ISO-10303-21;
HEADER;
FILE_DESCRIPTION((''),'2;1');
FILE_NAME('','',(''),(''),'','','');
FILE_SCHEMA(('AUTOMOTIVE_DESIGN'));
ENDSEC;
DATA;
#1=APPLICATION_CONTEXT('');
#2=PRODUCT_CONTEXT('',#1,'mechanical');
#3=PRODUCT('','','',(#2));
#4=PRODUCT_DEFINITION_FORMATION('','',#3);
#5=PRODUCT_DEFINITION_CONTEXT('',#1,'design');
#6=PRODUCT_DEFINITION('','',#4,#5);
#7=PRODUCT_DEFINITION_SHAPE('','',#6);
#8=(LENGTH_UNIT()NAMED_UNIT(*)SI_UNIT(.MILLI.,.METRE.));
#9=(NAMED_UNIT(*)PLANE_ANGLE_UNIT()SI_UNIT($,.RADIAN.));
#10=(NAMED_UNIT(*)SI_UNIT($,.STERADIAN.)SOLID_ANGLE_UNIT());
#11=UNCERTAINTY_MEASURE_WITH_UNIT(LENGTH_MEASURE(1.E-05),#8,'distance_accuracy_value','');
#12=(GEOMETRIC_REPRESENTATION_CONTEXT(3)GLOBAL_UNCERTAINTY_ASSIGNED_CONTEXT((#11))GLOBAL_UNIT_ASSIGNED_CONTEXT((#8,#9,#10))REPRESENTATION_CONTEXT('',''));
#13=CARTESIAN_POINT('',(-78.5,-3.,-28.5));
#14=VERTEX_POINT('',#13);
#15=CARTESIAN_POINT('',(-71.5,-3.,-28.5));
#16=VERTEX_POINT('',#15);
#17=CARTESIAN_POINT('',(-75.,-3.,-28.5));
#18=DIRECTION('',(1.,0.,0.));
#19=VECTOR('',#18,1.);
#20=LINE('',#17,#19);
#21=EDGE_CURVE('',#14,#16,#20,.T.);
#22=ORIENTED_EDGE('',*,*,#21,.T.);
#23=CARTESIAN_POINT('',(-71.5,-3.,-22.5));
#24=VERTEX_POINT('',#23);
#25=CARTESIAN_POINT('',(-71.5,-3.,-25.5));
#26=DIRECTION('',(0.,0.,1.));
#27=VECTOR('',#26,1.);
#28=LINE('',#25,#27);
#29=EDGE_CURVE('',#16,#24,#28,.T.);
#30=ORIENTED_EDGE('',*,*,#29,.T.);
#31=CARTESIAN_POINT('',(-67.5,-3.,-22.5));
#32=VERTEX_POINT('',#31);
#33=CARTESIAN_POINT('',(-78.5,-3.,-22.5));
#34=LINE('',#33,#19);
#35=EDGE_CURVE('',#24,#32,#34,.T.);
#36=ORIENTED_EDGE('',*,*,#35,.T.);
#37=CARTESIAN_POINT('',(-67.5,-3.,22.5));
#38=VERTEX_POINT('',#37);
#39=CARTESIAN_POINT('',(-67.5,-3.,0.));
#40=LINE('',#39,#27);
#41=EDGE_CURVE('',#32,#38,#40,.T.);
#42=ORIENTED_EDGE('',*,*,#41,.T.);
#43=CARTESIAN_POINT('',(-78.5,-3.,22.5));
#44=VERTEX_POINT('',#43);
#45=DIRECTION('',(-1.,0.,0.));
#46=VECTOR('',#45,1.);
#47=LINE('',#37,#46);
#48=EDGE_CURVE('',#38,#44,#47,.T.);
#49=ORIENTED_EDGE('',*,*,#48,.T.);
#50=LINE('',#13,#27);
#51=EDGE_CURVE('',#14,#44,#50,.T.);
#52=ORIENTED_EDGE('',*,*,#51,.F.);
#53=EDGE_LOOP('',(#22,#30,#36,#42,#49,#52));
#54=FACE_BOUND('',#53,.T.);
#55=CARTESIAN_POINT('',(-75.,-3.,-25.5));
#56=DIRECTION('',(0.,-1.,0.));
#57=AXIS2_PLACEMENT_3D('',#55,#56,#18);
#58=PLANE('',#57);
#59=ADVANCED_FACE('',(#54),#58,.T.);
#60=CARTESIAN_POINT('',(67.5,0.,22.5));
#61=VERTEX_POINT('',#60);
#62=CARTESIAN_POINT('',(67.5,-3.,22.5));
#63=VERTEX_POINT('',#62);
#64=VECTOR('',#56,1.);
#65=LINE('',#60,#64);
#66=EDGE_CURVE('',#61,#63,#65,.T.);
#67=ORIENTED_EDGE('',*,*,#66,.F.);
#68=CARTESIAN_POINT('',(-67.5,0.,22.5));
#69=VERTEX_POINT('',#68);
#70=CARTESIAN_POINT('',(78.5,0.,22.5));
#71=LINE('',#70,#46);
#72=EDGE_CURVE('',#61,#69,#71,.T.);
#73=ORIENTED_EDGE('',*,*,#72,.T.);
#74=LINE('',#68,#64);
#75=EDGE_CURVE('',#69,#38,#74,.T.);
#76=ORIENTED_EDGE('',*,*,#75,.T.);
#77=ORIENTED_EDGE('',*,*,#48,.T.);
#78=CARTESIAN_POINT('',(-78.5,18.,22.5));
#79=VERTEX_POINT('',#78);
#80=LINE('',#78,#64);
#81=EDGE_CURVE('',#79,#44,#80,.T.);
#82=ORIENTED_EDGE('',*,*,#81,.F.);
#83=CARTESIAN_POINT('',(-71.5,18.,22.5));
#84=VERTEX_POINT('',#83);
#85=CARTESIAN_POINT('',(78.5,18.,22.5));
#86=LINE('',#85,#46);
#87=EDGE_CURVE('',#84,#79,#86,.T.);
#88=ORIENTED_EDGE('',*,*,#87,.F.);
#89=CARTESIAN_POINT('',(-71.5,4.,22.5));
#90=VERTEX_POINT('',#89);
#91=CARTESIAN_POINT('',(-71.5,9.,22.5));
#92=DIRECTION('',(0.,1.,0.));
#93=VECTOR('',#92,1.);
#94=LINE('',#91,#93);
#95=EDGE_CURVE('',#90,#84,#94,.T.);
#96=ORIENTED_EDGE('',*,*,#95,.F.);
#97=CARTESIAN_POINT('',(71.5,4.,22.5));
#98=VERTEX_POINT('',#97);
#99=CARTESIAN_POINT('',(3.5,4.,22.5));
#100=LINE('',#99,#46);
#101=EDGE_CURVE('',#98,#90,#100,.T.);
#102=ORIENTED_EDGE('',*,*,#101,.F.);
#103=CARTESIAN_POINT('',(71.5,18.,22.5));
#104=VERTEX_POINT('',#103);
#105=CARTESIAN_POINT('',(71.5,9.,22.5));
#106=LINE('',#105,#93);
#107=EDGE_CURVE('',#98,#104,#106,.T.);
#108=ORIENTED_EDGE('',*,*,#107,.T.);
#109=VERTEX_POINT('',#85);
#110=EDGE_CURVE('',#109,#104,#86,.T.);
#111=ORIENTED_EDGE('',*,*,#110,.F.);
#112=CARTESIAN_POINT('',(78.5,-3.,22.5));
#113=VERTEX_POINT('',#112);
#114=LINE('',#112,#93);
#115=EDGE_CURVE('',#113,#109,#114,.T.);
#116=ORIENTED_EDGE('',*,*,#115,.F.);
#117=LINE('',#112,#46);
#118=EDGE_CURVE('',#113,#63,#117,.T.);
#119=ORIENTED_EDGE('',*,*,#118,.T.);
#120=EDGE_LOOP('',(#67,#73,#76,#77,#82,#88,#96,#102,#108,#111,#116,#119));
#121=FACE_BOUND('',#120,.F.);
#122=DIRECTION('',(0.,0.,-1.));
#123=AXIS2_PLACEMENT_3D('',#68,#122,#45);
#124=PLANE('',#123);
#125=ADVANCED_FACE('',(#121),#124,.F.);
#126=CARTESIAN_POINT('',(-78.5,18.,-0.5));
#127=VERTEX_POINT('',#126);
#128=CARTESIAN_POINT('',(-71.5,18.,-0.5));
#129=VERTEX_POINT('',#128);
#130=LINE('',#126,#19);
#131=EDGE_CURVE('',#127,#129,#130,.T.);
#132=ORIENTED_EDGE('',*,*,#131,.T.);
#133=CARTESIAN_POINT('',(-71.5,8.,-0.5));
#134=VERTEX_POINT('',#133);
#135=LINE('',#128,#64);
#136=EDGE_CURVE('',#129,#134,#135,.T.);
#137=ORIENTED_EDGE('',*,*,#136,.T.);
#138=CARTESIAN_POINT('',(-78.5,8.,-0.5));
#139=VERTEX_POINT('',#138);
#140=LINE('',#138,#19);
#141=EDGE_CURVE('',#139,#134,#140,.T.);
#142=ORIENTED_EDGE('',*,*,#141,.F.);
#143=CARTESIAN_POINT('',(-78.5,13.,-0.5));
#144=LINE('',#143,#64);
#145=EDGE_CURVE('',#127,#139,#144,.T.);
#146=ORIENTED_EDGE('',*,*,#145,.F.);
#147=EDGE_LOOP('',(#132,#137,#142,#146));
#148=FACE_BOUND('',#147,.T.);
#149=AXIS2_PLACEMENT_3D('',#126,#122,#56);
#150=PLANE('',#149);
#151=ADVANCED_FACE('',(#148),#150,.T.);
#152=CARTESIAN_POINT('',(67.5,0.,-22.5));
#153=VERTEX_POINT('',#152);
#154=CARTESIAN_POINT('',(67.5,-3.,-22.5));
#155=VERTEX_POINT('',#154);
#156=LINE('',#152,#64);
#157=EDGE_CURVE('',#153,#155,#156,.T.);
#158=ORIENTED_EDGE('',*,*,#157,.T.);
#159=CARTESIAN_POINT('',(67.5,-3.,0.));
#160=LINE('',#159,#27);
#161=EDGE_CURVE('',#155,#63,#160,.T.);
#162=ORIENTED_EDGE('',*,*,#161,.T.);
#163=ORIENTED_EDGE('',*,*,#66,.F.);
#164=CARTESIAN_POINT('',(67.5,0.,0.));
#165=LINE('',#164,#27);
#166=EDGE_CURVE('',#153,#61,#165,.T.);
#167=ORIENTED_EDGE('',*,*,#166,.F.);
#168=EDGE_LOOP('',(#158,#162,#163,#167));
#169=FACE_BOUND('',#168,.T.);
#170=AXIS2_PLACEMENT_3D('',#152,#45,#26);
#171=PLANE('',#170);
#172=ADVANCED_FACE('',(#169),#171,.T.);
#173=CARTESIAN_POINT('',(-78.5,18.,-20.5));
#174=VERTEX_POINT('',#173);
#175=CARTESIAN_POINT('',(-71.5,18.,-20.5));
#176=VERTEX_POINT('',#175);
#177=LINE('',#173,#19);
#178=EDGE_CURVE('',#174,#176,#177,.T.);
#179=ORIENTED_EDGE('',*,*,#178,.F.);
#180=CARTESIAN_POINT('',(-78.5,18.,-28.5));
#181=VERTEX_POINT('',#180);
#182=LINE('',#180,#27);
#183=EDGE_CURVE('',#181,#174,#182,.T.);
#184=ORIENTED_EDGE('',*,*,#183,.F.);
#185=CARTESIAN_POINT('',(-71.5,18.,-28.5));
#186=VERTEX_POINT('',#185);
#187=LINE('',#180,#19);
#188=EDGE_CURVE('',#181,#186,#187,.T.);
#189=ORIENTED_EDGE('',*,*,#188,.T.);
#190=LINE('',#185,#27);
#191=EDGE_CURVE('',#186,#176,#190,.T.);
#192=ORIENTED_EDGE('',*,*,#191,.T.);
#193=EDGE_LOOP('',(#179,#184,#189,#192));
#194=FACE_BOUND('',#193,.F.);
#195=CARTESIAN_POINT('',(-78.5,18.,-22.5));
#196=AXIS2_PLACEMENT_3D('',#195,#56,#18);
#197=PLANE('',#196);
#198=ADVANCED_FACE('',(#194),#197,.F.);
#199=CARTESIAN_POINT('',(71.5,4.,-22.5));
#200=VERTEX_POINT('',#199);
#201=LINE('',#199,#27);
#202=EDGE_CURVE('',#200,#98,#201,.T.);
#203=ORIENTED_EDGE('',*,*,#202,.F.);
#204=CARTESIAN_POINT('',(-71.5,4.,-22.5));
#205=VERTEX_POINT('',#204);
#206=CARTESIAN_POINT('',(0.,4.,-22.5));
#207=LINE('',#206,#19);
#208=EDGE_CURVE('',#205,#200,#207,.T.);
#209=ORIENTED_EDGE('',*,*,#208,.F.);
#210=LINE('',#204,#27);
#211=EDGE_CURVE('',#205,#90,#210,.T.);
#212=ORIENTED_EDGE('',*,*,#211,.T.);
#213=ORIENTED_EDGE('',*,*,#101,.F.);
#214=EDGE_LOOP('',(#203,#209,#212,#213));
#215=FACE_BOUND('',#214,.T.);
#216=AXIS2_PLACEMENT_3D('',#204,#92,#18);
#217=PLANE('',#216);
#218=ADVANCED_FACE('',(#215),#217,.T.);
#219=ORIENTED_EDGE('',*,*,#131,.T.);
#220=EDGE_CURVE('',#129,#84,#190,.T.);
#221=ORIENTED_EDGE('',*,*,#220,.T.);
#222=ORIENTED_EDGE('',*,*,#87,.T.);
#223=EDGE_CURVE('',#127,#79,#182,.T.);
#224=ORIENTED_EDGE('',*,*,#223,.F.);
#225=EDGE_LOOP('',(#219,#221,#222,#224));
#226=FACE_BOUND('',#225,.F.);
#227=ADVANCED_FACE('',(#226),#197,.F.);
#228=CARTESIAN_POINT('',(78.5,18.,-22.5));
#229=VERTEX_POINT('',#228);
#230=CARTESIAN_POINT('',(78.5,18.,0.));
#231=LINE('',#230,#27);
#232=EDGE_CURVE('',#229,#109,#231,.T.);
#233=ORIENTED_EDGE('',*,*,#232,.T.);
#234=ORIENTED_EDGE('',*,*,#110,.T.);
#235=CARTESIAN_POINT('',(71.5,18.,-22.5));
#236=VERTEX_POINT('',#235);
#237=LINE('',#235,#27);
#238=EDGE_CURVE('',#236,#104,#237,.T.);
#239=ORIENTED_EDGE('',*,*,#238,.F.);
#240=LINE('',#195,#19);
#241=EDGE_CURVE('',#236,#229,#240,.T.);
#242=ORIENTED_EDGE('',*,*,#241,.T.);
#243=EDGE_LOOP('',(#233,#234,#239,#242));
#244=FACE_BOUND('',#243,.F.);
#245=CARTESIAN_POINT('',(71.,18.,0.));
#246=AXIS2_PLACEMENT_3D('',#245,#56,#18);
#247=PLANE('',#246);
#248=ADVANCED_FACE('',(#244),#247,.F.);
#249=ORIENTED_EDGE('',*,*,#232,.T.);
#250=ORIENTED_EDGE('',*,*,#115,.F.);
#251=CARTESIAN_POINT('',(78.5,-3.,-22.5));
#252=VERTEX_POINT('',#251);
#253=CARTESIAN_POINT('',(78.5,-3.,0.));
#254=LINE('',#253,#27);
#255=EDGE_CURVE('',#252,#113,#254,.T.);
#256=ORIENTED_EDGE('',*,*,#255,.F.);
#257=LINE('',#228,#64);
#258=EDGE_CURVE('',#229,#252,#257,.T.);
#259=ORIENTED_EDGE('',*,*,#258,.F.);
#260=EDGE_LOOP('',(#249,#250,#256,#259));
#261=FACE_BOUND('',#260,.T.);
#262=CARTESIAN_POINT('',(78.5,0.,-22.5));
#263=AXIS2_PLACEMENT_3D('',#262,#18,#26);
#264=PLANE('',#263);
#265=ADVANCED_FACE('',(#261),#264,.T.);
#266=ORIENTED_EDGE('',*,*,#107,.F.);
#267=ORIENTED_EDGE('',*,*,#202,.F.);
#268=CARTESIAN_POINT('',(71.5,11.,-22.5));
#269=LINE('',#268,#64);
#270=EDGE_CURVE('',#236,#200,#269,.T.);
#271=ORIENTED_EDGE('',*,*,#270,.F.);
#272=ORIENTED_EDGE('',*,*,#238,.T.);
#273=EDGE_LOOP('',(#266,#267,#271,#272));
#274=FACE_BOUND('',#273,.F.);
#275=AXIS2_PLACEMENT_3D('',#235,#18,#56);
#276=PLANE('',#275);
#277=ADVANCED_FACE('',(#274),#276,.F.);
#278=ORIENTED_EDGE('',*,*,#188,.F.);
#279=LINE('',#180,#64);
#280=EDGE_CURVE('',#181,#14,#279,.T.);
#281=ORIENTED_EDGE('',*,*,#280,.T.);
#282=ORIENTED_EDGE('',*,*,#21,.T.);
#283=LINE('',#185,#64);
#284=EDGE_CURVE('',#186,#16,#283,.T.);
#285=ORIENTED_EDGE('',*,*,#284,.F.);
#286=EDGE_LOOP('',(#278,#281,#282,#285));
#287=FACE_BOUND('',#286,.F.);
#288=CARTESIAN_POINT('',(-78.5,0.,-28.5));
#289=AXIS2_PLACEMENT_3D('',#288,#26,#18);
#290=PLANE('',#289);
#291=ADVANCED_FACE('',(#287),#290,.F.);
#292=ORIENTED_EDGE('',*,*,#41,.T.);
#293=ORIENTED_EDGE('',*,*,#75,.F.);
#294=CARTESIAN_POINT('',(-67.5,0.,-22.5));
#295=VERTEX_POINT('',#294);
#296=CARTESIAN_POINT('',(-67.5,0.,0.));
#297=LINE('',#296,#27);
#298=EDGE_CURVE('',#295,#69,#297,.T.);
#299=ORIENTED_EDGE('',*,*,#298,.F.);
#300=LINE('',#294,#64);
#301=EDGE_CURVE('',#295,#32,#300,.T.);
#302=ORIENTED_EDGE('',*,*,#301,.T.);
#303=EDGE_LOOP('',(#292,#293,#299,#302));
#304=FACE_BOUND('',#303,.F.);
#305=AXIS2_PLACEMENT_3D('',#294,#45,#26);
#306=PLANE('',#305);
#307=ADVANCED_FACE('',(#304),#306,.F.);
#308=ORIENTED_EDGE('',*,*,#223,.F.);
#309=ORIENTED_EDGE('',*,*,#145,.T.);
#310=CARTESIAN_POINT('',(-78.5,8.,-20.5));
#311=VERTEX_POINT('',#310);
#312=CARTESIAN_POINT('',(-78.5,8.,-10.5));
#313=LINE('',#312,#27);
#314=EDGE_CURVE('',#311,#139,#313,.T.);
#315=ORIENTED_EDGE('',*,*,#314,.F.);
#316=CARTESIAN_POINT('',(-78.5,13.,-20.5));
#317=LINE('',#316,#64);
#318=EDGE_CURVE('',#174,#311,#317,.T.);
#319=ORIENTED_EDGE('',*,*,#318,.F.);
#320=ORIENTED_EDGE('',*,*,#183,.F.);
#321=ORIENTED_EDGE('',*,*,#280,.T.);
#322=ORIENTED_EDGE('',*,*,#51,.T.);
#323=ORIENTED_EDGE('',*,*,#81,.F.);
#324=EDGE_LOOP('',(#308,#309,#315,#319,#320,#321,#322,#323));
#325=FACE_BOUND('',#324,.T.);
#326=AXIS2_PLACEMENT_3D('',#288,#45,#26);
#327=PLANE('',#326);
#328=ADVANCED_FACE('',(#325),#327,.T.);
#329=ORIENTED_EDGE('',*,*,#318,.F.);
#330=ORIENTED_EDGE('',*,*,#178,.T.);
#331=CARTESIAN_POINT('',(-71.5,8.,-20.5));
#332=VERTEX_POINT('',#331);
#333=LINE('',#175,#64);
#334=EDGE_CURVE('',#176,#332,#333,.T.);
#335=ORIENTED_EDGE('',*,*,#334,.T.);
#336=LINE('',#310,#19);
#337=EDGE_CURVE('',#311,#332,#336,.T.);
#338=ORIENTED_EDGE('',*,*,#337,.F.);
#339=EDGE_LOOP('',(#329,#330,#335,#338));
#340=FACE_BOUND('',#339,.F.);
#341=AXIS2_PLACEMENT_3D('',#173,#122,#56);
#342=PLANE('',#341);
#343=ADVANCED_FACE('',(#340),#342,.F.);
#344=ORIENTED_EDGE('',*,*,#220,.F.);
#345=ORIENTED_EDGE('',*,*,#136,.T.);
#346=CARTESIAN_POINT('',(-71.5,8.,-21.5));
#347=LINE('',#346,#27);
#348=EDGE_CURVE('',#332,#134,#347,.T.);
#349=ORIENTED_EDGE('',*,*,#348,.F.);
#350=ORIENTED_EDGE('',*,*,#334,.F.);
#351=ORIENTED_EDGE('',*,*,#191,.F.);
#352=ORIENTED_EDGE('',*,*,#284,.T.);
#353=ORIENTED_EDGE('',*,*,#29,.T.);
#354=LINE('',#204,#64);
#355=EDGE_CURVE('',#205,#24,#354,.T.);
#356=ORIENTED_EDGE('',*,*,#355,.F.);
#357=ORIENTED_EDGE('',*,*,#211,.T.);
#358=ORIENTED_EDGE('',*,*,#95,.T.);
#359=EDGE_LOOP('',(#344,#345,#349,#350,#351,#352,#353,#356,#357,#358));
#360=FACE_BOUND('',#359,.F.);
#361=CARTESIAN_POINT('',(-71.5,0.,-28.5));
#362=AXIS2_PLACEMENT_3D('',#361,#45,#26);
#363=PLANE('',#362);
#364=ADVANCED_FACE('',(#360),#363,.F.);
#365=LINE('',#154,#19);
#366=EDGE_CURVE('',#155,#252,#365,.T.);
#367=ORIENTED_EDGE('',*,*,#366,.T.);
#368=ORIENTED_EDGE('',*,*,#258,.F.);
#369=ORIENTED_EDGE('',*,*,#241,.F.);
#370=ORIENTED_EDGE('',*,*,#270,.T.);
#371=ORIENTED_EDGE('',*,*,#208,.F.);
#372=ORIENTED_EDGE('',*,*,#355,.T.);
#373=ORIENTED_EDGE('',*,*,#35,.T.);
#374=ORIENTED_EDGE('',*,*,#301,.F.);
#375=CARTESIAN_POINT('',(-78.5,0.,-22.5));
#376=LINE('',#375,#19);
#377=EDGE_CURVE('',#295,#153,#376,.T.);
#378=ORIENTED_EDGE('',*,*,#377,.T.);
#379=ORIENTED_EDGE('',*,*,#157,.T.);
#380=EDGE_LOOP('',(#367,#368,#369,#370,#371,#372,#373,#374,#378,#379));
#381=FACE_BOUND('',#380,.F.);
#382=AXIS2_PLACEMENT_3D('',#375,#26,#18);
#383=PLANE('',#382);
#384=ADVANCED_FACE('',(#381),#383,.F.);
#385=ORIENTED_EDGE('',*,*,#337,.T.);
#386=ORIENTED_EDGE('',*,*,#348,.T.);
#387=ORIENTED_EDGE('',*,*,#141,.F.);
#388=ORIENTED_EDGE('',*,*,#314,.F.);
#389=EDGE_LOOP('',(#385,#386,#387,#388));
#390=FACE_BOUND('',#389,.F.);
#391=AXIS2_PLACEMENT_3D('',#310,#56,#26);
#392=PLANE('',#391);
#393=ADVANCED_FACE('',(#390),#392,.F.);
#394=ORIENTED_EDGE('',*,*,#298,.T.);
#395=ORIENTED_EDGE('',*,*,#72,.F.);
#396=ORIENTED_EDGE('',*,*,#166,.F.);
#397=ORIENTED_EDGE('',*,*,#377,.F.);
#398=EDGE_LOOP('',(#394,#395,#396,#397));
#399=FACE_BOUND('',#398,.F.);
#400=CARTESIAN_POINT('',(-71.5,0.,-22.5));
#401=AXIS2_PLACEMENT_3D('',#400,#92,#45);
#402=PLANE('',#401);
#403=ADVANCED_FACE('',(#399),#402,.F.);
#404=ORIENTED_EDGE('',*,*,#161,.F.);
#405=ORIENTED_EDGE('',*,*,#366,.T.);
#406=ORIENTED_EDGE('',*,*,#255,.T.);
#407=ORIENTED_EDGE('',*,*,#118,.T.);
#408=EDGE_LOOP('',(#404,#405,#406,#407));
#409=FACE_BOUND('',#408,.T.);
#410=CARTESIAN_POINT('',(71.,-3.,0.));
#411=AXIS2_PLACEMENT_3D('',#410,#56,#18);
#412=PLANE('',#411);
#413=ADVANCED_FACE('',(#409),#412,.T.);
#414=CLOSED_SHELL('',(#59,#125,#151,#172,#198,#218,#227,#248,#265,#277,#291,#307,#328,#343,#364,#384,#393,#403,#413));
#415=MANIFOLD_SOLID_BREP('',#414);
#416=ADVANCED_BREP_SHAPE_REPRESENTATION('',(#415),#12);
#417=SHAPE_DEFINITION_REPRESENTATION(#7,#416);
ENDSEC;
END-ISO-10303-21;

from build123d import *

# Parameters (mm, degrees)
F0_W      = 7
F0_H      = 45
F0_W_2    = 4
F1_DEPTH  = 18
F2_W      = 143
F2_H      = 14
F3_DEPTH  = 55
F4_DEPTH  = 6
F5_W      = 10
F5_H      = 20
F6_DEPTH  = 25
F7_DEPTH  = 3
F9_W      = 7
F9_H      = 6
F10_DEPTH = 3


with BuildPart() as f1:
    # F0 (on Front) → F1 (new body)
    with BuildSketch(Plane.XZ):
        with Locations((71, 0)):
            Rectangle(F0_W, F0_H)
        Polygon((67.5, -22.5), (67.5, 22.5), (-67.5, 22.5), (-67.5, -22.5), (0, -22.5), align=None)
        with Locations((-71, 0)):
            Rectangle(F0_W, F0_H)
        with Locations((-76.5, 0)):
            Rectangle(F0_W_2, F0_H)
        with Locations((76.5, 0)):
            Rectangle(F0_W_2, F0_H)
    extrude(amount=-F1_DEPTH)

    # F2 (on face) → F3 (cut)
    with BuildSketch(Plane(origin=(0, 0, -22.5), x_dir=(1, 0, 0), z_dir=(0, 0, -1))):
        with Locations((0, -11)):
            Rectangle(F2_W, F2_H)
    extrude(amount=-F3_DEPTH, mode=Mode.SUBTRACT)

    # F2 (on face) → F4 (join)
    with BuildSketch(Plane(origin=(0, 0, -22.5), x_dir=(1, 0, 0), z_dir=(0, 0, -1))):
        Polygon((-74.5, -18), (-71.5, -18), (-71.5, -4), (-71.5, 0), (-78.5, 0), (-78.5, -18), align=None)
    extrude(amount=F4_DEPTH)

    # F5 (on face) → F6 (cut)
    with BuildSketch(Plane(origin=(-78.5, 0, 0), x_dir=(0, -1, 0), z_dir=(-1, 0, 0))):
        with Locations((-13, -10.5)):
            Rectangle(F5_W, F5_H)
    extrude(amount=-F6_DEPTH, mode=Mode.SUBTRACT)


with BuildPart() as f7:
    # F0 (on Front) → F7 (new body)
    with BuildSketch(Plane.XZ):
        with Locations((71, 0)):
            Rectangle(F0_W, F0_H)
        with Locations((76.5, 0)):
            Rectangle(F0_W_2, F0_H)
    extrude(amount=F7_DEPTH)


with BuildPart() as f7b:
    # F0 (on Front) → F7, piece 2 (new body)
    with BuildSketch(Plane.XZ):
        with Locations((-71, 0)):
            Rectangle(F0_W, F0_H)
        with Locations((-76.5, 0)):
            Rectangle(F0_W_2, F0_H)
    extrude(amount=F7_DEPTH)


with BuildPart() as f7_1:
    add(f7.part)

    # F8: union F1, F7b
    add(f1.part)
    add(f7b.part)

    # F9 (on face) → F10 (join)
    with BuildSketch(Plane.XZ):
        with Locations((-75, -25.5)):
            Rectangle(F9_W, F9_H)
    extrude(amount=F10_DEPTH)


solid = f7_1.part
